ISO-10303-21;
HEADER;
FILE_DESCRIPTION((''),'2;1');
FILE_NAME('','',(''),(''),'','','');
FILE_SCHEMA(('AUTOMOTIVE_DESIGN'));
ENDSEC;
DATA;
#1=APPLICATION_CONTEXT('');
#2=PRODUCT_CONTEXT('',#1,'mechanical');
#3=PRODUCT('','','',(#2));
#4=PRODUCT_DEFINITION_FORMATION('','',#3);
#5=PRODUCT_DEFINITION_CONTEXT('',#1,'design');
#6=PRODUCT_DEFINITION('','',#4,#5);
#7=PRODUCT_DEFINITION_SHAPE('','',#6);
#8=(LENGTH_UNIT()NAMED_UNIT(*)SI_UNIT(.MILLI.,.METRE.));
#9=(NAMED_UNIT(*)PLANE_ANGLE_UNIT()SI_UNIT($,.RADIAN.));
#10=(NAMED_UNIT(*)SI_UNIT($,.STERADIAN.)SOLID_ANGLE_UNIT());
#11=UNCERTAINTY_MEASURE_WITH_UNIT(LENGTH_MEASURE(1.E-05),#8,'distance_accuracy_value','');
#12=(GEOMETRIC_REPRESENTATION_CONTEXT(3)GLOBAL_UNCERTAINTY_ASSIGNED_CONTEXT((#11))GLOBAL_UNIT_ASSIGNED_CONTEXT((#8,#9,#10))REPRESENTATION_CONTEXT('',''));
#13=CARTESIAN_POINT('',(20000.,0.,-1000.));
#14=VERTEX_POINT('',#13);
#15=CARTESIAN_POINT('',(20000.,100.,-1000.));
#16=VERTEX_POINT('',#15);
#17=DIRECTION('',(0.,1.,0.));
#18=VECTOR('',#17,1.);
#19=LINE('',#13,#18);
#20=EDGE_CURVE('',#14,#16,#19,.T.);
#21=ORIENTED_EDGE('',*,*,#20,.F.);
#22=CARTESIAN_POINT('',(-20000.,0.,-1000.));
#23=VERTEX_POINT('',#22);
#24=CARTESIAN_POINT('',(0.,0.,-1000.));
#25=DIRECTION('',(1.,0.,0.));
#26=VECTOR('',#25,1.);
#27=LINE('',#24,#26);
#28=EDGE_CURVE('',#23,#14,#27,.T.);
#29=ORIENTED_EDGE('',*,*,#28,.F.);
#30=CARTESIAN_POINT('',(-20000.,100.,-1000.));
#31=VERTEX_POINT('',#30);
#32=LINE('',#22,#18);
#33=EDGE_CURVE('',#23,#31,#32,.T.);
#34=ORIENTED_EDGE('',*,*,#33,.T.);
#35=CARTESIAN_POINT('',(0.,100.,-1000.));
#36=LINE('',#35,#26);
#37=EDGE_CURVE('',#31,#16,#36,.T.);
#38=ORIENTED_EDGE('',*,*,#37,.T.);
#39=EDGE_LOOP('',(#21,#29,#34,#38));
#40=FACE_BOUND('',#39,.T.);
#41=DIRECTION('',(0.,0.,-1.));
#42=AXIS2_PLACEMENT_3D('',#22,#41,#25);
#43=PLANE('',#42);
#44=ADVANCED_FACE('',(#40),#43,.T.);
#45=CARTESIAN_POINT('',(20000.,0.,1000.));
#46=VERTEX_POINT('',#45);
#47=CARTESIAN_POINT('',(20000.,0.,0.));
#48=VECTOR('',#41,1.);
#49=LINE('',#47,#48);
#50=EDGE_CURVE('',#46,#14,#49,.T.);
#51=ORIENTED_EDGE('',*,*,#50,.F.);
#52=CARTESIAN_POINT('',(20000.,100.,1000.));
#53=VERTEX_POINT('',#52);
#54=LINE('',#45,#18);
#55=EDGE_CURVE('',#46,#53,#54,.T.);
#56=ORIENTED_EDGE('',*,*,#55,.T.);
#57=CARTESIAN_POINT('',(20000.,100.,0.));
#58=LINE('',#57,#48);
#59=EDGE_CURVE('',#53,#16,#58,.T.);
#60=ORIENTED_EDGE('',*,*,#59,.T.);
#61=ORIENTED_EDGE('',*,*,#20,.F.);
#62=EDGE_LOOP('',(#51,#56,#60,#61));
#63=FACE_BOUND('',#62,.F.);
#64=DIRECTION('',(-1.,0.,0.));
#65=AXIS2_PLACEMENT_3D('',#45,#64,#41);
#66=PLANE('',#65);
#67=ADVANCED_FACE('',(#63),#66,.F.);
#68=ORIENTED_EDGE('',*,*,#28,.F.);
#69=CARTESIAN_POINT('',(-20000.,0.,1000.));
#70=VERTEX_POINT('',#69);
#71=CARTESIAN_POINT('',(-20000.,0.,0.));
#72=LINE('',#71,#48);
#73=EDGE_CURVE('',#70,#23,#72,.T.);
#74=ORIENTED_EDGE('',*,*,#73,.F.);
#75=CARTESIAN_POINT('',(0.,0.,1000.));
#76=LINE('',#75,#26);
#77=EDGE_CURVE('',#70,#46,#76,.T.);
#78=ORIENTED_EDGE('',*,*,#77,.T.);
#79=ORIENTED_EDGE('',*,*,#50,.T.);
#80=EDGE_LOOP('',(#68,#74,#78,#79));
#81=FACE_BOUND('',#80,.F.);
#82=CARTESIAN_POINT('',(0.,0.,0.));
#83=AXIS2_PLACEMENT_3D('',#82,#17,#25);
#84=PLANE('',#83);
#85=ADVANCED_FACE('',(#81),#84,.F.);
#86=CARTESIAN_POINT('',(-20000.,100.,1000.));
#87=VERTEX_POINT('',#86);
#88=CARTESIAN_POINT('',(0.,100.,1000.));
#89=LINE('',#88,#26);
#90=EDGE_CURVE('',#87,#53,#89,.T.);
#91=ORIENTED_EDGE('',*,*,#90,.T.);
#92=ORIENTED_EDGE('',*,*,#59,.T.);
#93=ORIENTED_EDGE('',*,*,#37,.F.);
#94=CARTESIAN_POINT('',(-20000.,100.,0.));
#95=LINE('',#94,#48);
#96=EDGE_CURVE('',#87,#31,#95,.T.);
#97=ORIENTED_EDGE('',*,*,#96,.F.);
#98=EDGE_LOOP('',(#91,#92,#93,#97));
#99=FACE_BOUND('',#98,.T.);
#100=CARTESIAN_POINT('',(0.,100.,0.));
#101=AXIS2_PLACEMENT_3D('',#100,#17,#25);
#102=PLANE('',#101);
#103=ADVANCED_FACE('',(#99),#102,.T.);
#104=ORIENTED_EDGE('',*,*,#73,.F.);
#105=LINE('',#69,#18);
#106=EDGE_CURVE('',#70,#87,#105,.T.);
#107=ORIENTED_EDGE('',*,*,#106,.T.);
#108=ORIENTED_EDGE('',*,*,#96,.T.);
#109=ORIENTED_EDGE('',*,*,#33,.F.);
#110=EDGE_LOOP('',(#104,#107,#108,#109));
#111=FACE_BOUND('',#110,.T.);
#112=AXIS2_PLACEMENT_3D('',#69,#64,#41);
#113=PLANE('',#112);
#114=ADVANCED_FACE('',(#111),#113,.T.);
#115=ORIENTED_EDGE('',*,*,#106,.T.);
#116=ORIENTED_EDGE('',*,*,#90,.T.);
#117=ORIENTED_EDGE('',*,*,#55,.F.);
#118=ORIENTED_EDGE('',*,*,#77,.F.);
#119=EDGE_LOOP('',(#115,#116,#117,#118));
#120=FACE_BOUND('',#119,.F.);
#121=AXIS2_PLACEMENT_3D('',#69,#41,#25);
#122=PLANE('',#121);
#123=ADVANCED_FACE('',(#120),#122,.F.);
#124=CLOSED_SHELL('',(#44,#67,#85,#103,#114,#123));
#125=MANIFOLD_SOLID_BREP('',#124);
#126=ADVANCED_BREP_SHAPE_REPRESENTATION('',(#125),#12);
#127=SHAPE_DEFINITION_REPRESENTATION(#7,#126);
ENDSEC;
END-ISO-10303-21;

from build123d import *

# Parameters (mm, degrees)
CROQUIS1_W              = 40000
CROQUIS1_H              = 2000
SALIENTE_EXTRUIR1_DEPTH = 100


with BuildPart() as part:
    # Croquis1 → Saliente-Extruir1 (new body)
    with BuildSketch(Plane(origin=(0, 0, 0), x_dir=(1, 0, 0), z_dir=(0, 1, 0))):
        Rectangle(CROQUIS1_W, CROQUIS1_H)
    extrude(amount=SALIENTE_EXTRUIR1_DEPTH)


solid = part.part
